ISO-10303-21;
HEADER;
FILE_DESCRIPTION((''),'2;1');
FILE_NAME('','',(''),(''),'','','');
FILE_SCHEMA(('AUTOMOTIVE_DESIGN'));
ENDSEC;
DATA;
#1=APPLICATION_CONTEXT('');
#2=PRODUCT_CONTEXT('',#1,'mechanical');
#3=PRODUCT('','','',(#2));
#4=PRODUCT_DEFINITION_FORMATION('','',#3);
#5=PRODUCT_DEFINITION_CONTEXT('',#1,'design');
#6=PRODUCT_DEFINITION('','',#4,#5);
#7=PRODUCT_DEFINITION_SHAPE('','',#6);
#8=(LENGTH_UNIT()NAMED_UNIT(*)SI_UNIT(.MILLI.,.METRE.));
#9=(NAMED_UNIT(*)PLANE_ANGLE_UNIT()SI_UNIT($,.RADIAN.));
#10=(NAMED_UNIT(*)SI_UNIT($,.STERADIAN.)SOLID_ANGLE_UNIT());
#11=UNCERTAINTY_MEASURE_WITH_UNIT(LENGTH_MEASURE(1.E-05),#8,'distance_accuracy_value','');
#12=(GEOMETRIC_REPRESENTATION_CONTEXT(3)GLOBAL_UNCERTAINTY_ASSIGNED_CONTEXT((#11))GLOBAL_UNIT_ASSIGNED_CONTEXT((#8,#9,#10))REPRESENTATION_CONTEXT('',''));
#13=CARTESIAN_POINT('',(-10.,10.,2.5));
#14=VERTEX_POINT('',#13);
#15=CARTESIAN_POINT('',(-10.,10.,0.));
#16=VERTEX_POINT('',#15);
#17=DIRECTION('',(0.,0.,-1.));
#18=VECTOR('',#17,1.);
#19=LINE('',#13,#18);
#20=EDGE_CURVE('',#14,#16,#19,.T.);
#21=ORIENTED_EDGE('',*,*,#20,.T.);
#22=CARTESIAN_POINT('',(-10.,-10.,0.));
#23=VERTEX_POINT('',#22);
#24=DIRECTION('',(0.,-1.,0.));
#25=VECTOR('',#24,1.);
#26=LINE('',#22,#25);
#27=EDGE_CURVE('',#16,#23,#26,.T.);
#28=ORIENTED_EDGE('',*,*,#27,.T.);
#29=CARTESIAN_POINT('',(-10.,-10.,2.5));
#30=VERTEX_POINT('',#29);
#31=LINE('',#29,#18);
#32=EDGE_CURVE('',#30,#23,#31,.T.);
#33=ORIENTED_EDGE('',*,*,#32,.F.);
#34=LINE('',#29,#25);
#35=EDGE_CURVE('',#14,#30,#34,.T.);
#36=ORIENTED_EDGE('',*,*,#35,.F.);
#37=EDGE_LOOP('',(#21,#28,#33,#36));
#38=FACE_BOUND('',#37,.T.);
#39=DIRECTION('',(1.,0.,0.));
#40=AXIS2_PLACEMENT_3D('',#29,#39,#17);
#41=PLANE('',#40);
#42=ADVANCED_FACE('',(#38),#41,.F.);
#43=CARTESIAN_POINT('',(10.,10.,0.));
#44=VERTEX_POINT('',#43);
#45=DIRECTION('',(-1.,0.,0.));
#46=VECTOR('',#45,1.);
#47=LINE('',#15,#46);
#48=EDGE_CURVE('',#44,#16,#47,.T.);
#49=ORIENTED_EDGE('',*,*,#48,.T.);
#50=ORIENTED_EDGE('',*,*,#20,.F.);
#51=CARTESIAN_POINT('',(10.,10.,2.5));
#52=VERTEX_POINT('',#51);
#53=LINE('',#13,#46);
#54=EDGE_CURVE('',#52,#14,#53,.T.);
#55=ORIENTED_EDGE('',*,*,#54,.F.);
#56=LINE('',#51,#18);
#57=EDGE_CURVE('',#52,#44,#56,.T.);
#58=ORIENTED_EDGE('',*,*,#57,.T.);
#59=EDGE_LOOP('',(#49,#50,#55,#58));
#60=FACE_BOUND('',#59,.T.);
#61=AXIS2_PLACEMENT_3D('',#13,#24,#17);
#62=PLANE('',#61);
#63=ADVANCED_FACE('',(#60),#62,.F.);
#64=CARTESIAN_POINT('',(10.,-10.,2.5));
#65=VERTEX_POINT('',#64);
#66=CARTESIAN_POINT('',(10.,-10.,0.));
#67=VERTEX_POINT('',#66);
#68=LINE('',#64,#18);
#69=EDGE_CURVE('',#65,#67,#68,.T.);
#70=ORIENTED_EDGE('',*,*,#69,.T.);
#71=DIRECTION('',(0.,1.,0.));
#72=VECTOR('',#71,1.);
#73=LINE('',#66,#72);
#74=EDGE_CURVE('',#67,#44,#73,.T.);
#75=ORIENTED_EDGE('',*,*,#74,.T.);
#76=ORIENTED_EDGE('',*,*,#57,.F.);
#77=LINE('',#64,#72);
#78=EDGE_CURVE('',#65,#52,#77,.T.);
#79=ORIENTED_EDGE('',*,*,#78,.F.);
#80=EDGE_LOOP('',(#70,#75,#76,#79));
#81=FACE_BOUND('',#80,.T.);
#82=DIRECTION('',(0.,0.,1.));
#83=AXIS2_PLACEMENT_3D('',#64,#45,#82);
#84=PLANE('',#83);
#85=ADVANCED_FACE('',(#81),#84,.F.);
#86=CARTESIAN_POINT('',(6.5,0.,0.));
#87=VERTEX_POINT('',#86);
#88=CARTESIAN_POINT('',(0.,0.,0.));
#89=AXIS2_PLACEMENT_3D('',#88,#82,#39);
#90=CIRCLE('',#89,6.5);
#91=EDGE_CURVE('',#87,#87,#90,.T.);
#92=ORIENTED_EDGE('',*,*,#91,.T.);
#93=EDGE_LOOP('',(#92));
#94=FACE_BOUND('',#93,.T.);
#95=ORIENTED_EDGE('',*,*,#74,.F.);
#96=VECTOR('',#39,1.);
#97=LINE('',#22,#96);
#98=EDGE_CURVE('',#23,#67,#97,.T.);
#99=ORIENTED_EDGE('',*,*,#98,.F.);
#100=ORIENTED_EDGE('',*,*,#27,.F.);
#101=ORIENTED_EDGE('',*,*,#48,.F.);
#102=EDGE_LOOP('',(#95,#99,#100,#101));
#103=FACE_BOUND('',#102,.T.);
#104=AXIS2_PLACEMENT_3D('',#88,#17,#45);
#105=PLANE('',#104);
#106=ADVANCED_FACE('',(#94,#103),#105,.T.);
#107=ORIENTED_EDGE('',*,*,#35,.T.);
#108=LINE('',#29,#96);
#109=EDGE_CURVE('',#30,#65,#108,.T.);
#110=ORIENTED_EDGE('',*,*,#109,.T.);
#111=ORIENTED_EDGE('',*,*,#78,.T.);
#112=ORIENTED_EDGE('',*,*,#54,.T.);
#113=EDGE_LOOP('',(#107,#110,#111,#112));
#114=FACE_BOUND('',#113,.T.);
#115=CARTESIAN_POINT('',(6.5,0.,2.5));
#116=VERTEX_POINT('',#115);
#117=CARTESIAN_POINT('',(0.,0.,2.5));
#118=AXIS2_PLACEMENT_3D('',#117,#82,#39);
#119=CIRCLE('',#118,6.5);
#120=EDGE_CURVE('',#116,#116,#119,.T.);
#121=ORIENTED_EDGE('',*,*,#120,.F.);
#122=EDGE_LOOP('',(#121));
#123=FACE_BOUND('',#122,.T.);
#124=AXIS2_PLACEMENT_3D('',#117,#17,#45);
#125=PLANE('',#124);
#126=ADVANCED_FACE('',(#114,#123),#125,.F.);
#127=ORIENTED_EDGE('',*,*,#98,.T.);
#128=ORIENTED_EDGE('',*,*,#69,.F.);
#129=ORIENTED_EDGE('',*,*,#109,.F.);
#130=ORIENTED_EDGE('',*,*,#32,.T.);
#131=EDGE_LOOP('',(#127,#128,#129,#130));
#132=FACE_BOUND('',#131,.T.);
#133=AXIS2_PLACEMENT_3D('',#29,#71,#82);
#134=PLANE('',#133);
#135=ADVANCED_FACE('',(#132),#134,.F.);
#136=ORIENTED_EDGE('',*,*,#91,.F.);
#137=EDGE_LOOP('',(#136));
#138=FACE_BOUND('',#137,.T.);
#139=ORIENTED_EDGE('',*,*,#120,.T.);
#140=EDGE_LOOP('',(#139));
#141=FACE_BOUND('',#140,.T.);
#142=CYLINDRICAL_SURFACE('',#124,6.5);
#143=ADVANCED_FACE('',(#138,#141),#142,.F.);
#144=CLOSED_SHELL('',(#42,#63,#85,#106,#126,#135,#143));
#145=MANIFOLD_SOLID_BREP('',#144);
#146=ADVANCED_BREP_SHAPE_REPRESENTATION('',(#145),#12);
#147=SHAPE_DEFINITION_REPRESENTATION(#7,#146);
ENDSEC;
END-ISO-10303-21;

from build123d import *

# Parameters (mm, degrees)
SKETCH1_W           = 20
SKETCH1_H           = 20
SKETCH1_R           = 6.5
BOSS_EXTRUDE1_DEPTH = 2.5


with BuildPart() as part:
    # Sketch1 → Boss-Extrude1 (new body)
    with BuildSketch(Plane.XY):
        Rectangle(SKETCH1_W, SKETCH1_H)
        Circle(SKETCH1_R, mode=Mode.SUBTRACT)
    extrude(amount=BOSS_EXTRUDE1_DEPTH)


solid = part.part
